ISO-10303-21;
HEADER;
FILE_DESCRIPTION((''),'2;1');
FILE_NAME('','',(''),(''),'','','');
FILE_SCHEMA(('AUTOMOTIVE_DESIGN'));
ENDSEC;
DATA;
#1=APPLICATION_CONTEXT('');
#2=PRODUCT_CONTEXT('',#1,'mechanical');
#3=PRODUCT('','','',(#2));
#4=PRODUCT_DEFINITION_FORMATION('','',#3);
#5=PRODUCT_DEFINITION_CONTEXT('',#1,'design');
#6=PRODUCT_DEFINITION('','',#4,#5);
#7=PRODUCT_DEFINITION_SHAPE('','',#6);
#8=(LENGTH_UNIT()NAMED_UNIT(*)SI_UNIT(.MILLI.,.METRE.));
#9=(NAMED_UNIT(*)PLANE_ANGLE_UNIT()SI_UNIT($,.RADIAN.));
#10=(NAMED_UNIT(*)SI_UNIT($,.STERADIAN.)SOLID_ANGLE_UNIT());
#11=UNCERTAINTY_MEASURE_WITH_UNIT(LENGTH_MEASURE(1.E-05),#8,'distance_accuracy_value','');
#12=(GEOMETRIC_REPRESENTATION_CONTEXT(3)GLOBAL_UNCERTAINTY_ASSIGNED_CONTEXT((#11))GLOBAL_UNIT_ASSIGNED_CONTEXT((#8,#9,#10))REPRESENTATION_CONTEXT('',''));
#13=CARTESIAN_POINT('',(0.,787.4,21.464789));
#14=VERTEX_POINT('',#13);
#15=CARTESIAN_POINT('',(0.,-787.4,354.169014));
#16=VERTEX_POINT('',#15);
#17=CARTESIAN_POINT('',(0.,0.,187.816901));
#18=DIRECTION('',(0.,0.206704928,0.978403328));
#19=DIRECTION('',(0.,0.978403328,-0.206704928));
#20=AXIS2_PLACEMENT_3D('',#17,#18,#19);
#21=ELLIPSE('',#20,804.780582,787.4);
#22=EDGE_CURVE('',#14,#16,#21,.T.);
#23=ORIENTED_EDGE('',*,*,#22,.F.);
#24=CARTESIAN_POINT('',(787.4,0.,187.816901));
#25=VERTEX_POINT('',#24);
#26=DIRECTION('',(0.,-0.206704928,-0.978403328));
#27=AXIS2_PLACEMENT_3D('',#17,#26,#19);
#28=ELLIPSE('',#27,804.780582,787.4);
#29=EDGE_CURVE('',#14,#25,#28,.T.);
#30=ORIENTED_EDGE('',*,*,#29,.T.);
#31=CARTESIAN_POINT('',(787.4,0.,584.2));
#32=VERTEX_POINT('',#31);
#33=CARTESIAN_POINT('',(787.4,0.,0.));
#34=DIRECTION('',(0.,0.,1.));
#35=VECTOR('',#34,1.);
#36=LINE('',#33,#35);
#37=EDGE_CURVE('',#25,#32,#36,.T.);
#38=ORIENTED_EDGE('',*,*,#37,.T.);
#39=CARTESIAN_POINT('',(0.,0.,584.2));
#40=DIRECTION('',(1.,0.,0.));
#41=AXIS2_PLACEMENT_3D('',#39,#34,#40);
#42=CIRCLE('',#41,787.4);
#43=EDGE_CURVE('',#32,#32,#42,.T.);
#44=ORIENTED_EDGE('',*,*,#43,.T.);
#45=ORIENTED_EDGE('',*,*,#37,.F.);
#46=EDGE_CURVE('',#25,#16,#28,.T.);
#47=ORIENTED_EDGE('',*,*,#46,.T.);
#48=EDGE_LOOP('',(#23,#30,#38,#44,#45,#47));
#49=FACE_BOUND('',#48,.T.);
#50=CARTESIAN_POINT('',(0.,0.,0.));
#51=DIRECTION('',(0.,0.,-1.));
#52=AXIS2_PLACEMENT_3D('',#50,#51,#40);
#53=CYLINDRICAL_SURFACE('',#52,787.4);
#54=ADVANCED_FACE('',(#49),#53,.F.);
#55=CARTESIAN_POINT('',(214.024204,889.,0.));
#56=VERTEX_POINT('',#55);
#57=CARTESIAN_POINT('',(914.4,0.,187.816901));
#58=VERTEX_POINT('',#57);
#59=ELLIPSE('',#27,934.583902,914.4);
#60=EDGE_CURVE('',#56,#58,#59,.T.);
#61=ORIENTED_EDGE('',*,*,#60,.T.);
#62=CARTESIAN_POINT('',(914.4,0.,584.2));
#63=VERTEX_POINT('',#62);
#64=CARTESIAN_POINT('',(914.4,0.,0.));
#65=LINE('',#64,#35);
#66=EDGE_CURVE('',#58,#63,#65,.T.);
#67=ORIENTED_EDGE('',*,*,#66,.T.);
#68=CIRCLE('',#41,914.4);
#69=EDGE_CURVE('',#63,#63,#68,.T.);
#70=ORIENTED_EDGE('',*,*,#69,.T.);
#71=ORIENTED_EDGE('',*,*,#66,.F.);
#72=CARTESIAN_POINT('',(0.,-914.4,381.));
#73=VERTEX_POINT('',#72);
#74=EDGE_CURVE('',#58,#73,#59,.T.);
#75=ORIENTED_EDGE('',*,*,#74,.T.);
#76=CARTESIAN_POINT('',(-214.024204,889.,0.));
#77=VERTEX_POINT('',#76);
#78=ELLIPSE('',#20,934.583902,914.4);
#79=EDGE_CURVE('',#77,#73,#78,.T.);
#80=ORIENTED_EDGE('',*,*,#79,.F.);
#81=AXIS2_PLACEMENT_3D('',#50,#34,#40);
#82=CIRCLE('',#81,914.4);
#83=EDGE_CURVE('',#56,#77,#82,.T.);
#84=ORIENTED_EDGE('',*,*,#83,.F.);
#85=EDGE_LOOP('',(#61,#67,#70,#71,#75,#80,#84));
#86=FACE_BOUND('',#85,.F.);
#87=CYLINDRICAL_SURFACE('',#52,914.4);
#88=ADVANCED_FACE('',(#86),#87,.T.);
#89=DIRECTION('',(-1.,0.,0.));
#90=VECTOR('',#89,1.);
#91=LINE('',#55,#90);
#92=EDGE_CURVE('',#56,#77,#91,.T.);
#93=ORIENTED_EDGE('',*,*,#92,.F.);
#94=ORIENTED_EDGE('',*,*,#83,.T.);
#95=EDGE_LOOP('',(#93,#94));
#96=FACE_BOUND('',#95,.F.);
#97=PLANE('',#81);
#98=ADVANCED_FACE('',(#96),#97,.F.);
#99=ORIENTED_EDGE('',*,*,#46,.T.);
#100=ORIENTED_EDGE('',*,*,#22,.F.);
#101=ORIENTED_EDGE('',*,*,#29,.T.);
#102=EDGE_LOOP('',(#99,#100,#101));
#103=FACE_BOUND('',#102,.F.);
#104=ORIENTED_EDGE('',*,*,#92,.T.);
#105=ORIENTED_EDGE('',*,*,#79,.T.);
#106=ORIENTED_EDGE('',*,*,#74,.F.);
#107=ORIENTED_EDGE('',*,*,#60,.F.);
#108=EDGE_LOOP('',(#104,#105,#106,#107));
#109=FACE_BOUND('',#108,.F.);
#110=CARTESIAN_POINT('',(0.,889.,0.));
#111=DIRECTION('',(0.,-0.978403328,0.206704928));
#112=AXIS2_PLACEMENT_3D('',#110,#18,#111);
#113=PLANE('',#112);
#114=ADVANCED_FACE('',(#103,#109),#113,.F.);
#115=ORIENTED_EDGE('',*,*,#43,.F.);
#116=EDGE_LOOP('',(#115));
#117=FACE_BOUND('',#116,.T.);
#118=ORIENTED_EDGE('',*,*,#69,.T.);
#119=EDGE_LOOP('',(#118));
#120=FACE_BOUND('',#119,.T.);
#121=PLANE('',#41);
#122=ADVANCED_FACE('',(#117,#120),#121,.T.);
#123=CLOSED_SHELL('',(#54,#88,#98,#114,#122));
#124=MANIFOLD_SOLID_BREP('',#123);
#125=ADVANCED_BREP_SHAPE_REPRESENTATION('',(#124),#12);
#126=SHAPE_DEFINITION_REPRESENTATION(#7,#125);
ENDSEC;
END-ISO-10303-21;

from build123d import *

# Parameters (mm, degrees)
F0_R          = 914.4
F0_R_2        = 787.4
F1_DEPTH      = 584.2
F3_DEPTH      = 914.401
F3_DEPTH_BACK = 914.401


with BuildPart() as f1:
    # F0 (on Top) → F1 (new body)
    with BuildSketch(Plane.XY):
        Circle(F0_R)
        Circle(F0_R_2, mode=Mode.SUBTRACT)
    extrude(amount=F1_DEPTH)

    # F2 (on Right) → F3 (cut, two sides)
    with BuildSketch(Plane.YZ) as f3_sk:
        Polygon((-914.4, 0), (889, 0), (-914.4, 381), align=None)
    extrude(amount=F3_DEPTH, mode=Mode.SUBTRACT)
    extrude(f3_sk.sketch, amount=-F3_DEPTH_BACK, mode=Mode.SUBTRACT)


solid = f1.part
